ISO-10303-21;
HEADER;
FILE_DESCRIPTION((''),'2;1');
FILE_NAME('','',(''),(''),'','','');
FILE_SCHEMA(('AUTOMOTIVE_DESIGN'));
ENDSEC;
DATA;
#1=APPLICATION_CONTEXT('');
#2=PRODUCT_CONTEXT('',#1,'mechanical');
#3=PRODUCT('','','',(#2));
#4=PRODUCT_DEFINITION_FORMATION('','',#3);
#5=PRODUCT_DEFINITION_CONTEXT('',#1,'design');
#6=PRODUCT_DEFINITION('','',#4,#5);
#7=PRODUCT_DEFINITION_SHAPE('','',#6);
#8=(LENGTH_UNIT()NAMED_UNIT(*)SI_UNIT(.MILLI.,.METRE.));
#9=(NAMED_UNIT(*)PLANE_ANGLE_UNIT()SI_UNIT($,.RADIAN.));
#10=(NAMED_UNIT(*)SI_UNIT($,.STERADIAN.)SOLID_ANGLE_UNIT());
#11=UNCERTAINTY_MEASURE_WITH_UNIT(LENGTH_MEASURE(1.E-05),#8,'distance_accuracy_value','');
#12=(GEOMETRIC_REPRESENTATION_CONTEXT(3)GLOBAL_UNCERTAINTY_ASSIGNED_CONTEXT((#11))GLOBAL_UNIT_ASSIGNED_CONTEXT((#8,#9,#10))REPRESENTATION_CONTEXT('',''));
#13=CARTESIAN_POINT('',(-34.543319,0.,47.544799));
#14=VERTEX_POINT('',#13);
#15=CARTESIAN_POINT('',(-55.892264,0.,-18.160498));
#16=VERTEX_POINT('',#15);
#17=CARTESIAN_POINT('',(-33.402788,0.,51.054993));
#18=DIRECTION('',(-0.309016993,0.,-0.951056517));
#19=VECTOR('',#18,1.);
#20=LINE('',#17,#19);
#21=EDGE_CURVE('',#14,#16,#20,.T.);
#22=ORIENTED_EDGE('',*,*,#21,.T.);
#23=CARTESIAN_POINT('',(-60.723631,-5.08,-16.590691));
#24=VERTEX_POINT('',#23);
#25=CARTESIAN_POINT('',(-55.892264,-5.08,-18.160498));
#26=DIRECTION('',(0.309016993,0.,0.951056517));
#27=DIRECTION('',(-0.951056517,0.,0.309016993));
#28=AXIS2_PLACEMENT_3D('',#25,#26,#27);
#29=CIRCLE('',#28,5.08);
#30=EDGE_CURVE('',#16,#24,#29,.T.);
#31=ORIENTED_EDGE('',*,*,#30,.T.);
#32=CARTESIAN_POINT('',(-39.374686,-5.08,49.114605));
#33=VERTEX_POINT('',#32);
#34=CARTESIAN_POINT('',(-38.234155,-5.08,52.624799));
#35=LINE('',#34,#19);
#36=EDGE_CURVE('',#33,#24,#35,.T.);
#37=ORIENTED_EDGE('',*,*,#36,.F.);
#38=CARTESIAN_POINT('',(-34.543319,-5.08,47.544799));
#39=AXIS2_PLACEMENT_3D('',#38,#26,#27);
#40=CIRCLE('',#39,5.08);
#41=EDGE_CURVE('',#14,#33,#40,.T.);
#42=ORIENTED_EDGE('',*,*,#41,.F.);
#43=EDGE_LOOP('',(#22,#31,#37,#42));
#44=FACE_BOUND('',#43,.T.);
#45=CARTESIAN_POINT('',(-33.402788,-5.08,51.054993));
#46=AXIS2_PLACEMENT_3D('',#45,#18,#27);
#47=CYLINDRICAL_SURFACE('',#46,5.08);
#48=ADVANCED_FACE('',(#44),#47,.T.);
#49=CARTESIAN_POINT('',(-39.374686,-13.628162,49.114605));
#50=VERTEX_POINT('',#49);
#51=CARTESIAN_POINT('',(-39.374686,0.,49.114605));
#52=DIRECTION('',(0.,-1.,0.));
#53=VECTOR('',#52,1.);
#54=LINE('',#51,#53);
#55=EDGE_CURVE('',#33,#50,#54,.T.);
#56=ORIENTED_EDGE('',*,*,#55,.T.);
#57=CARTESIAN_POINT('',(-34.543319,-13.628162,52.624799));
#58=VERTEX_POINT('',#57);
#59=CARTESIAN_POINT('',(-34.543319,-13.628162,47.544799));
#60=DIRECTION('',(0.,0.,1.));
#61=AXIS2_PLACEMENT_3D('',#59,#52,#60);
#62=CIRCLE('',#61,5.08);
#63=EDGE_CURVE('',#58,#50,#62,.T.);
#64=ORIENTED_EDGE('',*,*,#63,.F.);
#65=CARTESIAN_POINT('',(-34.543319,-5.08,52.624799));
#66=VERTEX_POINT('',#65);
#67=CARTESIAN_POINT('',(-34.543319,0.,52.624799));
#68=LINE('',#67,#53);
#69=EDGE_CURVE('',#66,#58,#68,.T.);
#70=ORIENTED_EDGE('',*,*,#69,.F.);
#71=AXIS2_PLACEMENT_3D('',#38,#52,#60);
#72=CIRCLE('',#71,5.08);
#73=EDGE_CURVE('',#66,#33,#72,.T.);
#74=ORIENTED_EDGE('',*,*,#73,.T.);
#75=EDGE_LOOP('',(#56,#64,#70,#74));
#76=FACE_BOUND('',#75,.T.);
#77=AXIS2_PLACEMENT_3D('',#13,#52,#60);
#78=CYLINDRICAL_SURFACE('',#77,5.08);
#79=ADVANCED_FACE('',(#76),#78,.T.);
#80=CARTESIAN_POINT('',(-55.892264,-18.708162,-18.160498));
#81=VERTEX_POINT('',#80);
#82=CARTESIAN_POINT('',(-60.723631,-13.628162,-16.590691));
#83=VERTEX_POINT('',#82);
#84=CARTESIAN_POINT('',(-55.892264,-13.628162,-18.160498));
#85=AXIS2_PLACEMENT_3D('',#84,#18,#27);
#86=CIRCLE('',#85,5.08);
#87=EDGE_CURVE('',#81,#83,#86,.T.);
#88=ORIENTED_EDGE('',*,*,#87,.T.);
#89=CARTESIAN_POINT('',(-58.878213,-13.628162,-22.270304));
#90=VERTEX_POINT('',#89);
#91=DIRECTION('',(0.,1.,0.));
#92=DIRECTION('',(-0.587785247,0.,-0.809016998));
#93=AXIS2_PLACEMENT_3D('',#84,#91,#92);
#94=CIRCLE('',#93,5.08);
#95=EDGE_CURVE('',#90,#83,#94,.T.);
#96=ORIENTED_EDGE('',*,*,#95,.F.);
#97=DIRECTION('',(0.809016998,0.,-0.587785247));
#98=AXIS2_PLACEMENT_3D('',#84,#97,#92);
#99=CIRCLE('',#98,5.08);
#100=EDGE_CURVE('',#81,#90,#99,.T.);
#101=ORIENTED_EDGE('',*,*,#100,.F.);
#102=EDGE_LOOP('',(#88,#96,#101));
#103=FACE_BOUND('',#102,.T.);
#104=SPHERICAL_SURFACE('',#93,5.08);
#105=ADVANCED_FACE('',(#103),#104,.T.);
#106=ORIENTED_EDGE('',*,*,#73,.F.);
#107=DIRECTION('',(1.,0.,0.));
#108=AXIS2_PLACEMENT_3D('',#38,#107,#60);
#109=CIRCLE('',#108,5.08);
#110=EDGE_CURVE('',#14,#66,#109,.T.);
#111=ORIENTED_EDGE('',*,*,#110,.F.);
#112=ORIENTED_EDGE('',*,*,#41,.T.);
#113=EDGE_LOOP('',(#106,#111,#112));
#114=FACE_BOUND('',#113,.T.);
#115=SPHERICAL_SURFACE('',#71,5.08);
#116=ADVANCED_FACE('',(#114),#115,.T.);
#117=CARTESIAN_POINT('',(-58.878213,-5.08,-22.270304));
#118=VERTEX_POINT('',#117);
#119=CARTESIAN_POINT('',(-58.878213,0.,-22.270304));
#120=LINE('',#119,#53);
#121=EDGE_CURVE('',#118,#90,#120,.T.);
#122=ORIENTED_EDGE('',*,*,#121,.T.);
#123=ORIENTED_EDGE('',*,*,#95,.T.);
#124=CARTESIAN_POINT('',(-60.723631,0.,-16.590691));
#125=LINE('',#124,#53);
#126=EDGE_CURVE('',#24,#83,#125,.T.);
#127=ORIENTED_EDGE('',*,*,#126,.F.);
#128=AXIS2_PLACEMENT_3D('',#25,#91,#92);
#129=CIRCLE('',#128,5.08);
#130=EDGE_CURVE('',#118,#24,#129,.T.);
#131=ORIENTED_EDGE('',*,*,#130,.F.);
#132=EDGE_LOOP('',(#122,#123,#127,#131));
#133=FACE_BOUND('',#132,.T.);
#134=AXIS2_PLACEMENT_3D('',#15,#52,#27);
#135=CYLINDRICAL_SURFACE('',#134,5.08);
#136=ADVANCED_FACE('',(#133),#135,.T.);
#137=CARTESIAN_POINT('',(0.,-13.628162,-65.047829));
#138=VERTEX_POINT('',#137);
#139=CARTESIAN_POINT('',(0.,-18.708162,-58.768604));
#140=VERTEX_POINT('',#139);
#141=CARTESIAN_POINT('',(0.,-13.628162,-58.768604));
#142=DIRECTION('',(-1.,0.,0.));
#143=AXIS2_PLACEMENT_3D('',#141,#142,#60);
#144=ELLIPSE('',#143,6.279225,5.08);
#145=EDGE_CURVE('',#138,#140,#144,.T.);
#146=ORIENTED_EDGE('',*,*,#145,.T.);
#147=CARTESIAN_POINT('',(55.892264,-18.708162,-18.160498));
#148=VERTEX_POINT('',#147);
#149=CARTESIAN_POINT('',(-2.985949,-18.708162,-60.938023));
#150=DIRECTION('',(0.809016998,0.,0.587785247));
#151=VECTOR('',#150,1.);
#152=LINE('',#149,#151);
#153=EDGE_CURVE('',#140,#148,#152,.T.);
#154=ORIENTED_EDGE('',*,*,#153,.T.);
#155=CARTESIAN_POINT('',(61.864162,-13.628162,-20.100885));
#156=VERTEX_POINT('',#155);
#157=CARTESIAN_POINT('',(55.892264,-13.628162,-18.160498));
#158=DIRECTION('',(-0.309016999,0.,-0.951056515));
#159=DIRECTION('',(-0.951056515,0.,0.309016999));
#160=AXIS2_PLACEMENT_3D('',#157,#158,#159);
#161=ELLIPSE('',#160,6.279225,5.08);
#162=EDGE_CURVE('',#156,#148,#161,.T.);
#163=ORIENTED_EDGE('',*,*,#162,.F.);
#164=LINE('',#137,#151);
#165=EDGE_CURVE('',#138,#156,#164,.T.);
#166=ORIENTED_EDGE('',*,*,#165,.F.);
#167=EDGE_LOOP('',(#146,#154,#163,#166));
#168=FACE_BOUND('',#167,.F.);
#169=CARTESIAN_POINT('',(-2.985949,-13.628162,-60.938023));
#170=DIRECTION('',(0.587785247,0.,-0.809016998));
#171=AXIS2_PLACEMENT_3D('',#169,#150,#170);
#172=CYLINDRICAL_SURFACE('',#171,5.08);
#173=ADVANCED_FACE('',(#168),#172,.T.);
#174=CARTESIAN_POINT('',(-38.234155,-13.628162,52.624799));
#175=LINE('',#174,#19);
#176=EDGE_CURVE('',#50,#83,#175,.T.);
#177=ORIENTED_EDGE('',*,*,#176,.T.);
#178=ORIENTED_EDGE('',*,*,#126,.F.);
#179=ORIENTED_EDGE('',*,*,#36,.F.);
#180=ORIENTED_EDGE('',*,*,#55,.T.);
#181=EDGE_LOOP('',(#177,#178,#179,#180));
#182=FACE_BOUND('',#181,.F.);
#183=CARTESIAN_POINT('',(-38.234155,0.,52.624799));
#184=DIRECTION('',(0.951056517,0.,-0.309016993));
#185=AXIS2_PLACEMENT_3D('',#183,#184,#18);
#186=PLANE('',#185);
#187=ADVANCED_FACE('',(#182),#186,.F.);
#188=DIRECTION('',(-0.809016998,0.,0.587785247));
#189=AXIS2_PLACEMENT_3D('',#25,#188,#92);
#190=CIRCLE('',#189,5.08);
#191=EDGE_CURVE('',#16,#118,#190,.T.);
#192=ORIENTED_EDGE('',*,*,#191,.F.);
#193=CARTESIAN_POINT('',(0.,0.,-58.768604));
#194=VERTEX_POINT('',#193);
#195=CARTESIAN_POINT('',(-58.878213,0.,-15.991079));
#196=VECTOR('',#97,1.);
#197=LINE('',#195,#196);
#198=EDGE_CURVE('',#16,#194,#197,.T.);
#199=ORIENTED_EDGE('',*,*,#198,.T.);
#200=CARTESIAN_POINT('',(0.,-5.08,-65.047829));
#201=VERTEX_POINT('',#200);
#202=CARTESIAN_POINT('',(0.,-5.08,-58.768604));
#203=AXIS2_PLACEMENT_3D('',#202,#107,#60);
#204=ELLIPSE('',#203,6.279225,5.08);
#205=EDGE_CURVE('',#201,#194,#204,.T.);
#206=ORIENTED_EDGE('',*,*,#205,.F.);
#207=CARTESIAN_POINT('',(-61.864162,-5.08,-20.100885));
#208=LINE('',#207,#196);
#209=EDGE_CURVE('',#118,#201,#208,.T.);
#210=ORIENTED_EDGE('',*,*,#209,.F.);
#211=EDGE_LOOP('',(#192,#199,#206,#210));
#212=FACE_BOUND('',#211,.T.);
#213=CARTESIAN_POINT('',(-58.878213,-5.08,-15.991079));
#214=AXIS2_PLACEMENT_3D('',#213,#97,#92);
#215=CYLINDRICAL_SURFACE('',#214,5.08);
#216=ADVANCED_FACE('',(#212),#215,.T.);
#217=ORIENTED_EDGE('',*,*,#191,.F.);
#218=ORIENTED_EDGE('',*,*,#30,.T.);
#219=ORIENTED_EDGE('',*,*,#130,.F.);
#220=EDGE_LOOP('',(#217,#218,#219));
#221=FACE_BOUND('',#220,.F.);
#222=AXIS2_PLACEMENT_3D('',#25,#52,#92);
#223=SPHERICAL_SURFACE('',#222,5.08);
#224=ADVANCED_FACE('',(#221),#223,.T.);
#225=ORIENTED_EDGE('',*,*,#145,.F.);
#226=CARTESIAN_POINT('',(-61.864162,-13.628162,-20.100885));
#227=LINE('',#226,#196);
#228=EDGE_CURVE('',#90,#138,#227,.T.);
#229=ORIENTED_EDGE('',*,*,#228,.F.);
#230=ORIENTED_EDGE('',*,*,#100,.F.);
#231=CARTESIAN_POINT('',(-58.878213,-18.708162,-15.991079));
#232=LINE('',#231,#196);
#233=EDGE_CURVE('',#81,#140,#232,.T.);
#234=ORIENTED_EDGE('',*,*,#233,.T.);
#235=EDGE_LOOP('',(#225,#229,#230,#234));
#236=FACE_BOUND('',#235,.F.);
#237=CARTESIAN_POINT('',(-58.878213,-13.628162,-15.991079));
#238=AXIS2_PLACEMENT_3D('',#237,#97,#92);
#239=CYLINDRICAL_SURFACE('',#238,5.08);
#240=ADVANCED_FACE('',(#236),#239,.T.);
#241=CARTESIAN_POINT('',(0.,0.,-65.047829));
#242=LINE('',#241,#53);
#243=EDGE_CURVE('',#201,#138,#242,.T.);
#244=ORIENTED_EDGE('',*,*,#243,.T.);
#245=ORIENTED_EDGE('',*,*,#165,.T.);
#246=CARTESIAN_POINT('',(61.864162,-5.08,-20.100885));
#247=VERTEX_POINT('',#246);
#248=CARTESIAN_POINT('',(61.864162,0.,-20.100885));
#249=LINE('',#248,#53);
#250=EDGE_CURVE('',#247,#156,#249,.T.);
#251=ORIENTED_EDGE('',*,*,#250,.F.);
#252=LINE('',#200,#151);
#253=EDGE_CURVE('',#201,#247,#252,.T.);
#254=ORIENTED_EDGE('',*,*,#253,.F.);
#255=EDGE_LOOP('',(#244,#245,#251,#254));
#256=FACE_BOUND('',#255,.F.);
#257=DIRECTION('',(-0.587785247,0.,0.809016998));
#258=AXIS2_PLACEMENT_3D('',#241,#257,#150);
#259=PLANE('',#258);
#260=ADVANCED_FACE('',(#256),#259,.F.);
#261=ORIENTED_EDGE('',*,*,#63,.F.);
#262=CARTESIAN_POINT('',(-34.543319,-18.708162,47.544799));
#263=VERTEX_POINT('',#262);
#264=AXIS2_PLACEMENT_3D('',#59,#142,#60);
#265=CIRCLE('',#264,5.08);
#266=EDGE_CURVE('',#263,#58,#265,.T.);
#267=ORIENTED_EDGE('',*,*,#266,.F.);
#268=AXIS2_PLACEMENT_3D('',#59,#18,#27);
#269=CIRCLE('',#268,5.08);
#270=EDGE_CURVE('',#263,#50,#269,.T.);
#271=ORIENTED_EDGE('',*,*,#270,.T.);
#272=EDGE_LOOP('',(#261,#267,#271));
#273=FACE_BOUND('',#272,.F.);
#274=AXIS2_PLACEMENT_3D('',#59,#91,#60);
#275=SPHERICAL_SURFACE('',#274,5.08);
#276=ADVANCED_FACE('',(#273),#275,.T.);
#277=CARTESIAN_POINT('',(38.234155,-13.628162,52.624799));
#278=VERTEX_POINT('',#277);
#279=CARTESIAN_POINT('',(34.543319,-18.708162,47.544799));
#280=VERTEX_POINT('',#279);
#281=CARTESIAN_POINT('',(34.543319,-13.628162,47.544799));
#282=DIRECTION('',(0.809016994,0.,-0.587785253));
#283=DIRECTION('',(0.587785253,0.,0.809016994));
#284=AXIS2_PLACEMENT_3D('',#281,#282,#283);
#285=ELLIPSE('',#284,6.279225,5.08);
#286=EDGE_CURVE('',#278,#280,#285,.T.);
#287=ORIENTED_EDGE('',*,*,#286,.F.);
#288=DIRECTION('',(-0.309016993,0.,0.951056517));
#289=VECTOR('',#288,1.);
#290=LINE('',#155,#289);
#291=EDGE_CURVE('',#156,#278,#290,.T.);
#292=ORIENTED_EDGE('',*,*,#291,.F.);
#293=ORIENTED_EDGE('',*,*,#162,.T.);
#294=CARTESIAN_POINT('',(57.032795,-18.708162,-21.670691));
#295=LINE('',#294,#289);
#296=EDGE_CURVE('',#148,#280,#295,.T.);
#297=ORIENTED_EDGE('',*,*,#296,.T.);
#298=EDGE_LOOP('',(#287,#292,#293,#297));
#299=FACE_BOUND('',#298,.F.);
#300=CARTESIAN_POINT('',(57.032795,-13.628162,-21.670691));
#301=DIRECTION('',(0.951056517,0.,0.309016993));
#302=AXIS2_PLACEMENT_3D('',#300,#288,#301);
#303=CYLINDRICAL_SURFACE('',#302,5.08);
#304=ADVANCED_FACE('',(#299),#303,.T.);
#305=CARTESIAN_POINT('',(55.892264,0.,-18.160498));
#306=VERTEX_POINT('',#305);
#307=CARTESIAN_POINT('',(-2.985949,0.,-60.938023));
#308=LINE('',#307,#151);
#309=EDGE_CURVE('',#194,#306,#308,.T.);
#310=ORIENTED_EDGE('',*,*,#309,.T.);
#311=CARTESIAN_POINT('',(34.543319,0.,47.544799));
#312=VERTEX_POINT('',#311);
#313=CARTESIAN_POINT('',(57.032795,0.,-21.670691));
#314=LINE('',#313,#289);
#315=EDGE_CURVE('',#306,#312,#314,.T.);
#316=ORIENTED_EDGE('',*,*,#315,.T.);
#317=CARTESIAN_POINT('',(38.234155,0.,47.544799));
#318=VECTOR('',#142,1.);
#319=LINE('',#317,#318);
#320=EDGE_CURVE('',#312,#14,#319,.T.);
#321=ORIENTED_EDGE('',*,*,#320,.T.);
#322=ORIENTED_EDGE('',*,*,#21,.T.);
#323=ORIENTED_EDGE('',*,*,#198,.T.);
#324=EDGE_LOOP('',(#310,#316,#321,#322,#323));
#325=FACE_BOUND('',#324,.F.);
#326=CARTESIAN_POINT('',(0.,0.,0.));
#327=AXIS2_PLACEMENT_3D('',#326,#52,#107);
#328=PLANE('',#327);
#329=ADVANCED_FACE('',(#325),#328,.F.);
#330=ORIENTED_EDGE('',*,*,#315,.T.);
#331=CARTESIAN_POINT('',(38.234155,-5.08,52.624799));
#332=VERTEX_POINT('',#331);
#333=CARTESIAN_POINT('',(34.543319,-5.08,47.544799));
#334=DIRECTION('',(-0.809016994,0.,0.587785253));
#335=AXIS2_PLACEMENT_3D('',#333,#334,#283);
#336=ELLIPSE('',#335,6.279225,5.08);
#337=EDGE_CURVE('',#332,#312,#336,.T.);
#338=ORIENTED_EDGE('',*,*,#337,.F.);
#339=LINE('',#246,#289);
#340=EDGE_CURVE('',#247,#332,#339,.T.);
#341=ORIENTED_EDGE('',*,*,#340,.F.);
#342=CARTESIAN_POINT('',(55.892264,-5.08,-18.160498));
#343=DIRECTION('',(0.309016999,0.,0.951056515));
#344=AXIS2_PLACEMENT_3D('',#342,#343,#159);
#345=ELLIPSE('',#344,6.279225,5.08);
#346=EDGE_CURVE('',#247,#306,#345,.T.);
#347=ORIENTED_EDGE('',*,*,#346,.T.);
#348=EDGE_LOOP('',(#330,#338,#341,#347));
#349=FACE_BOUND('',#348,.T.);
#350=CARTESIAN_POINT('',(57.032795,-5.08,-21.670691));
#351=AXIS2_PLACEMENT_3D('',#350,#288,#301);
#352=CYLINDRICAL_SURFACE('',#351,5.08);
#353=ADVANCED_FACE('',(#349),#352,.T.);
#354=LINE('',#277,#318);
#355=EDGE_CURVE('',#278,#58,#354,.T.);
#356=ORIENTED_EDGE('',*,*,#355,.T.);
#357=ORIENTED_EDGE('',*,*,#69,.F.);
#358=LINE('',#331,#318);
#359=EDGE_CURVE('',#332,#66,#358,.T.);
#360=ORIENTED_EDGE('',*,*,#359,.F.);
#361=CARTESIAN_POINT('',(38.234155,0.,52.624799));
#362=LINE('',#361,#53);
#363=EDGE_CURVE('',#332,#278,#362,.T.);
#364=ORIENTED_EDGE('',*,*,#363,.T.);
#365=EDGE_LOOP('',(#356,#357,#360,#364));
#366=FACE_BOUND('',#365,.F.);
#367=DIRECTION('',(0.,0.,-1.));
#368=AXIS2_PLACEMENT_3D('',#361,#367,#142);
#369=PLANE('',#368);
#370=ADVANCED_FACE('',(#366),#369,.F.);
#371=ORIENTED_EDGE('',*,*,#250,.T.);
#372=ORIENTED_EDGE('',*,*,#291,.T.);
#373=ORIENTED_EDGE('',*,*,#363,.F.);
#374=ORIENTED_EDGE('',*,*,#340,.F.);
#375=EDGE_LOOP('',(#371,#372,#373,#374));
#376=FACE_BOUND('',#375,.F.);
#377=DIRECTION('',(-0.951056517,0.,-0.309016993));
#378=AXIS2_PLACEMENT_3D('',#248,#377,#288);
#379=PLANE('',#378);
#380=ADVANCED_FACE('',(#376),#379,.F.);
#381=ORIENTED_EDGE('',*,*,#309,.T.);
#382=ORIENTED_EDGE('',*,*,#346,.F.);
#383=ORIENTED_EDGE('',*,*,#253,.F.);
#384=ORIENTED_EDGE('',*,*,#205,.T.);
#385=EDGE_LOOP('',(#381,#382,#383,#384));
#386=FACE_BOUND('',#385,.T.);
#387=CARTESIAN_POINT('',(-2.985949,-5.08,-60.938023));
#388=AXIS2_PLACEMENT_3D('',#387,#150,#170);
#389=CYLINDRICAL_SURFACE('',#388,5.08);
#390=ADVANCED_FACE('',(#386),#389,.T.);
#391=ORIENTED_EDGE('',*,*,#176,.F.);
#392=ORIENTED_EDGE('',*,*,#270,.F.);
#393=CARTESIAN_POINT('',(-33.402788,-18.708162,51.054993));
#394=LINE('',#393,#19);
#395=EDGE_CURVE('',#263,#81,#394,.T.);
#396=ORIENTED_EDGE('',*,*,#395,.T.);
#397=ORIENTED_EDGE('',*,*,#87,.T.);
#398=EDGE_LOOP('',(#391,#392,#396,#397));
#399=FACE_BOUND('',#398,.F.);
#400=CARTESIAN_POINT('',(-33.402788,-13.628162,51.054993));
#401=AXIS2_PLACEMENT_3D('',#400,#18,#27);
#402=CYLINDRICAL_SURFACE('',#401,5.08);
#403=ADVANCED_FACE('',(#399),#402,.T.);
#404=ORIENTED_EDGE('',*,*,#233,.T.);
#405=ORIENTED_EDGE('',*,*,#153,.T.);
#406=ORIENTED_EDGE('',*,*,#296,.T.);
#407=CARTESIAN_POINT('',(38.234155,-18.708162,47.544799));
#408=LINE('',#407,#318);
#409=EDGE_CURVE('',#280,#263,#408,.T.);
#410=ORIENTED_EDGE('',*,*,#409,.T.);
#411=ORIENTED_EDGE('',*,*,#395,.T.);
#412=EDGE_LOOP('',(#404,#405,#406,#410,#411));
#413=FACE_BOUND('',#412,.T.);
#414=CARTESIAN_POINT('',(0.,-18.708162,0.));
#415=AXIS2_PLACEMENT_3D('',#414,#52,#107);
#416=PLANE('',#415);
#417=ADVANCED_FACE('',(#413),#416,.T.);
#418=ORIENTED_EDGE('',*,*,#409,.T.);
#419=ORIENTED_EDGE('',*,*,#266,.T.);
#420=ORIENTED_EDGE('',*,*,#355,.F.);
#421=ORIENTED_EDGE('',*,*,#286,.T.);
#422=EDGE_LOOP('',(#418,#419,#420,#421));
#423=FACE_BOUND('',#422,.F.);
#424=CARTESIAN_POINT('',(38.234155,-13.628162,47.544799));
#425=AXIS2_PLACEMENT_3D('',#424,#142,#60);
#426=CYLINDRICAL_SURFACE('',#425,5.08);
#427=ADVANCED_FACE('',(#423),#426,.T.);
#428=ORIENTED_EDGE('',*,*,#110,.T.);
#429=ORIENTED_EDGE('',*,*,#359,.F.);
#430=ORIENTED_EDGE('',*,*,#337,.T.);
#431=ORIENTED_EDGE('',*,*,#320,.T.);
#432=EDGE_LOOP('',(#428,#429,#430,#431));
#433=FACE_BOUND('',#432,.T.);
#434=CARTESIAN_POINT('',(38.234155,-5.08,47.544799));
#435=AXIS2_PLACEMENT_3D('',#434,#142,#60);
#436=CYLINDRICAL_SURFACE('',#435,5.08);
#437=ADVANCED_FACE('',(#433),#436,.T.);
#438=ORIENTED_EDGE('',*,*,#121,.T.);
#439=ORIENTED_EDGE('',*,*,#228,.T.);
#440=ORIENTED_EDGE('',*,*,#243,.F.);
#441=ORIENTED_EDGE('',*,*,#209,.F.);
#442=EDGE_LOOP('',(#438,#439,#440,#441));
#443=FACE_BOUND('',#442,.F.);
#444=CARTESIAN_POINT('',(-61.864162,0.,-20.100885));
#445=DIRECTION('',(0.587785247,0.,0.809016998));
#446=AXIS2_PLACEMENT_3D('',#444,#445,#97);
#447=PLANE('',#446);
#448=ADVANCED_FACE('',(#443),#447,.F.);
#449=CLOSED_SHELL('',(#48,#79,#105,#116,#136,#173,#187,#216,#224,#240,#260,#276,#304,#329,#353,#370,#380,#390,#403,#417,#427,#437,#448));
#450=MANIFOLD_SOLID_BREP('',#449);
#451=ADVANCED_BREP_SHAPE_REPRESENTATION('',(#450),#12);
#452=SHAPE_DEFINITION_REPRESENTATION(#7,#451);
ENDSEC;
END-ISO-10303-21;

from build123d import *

# Parameters (mm, degrees)
F1_DEPTH = 18.708162
F2_R     = 5.08


with BuildPart() as f1:
    # F0 (on Front) → F1 (new body)
    with BuildSketch(Plane.XZ):
        Polygon((38.234155, 52.624799), (-38.234155, 52.624799), (-61.864162, -20.100885), (0, -65.047829), (61.864162, -20.100885), align=None)
    extrude(amount=F1_DEPTH)

    # F2
    f2_edges = [f1.edges().sort_by_distance(p)[0] for p in [
        (50.049158, -18.708162, 16.261957),
        (50.049158, 0, 16.261957),
        (30.932081, -18.708162, -42.574357),
        (30.932081, 0, -42.574357),
        (-30.932081, 0, -42.574357),
        (-30.932081, -18.708162, -42.574357),
        (0, 0, 52.624799),
        (-50.049158, 0, 16.261957),
        (0, -18.708162, 52.624799),
        (-50.049158, -18.708162, 16.261957),
        (-38.234155, -9.354081, 52.624799),
        (-61.864162, -9.354081, -20.100885),
    ]]
    fillet(f2_edges, radius=F2_R)


solid = f1.part
